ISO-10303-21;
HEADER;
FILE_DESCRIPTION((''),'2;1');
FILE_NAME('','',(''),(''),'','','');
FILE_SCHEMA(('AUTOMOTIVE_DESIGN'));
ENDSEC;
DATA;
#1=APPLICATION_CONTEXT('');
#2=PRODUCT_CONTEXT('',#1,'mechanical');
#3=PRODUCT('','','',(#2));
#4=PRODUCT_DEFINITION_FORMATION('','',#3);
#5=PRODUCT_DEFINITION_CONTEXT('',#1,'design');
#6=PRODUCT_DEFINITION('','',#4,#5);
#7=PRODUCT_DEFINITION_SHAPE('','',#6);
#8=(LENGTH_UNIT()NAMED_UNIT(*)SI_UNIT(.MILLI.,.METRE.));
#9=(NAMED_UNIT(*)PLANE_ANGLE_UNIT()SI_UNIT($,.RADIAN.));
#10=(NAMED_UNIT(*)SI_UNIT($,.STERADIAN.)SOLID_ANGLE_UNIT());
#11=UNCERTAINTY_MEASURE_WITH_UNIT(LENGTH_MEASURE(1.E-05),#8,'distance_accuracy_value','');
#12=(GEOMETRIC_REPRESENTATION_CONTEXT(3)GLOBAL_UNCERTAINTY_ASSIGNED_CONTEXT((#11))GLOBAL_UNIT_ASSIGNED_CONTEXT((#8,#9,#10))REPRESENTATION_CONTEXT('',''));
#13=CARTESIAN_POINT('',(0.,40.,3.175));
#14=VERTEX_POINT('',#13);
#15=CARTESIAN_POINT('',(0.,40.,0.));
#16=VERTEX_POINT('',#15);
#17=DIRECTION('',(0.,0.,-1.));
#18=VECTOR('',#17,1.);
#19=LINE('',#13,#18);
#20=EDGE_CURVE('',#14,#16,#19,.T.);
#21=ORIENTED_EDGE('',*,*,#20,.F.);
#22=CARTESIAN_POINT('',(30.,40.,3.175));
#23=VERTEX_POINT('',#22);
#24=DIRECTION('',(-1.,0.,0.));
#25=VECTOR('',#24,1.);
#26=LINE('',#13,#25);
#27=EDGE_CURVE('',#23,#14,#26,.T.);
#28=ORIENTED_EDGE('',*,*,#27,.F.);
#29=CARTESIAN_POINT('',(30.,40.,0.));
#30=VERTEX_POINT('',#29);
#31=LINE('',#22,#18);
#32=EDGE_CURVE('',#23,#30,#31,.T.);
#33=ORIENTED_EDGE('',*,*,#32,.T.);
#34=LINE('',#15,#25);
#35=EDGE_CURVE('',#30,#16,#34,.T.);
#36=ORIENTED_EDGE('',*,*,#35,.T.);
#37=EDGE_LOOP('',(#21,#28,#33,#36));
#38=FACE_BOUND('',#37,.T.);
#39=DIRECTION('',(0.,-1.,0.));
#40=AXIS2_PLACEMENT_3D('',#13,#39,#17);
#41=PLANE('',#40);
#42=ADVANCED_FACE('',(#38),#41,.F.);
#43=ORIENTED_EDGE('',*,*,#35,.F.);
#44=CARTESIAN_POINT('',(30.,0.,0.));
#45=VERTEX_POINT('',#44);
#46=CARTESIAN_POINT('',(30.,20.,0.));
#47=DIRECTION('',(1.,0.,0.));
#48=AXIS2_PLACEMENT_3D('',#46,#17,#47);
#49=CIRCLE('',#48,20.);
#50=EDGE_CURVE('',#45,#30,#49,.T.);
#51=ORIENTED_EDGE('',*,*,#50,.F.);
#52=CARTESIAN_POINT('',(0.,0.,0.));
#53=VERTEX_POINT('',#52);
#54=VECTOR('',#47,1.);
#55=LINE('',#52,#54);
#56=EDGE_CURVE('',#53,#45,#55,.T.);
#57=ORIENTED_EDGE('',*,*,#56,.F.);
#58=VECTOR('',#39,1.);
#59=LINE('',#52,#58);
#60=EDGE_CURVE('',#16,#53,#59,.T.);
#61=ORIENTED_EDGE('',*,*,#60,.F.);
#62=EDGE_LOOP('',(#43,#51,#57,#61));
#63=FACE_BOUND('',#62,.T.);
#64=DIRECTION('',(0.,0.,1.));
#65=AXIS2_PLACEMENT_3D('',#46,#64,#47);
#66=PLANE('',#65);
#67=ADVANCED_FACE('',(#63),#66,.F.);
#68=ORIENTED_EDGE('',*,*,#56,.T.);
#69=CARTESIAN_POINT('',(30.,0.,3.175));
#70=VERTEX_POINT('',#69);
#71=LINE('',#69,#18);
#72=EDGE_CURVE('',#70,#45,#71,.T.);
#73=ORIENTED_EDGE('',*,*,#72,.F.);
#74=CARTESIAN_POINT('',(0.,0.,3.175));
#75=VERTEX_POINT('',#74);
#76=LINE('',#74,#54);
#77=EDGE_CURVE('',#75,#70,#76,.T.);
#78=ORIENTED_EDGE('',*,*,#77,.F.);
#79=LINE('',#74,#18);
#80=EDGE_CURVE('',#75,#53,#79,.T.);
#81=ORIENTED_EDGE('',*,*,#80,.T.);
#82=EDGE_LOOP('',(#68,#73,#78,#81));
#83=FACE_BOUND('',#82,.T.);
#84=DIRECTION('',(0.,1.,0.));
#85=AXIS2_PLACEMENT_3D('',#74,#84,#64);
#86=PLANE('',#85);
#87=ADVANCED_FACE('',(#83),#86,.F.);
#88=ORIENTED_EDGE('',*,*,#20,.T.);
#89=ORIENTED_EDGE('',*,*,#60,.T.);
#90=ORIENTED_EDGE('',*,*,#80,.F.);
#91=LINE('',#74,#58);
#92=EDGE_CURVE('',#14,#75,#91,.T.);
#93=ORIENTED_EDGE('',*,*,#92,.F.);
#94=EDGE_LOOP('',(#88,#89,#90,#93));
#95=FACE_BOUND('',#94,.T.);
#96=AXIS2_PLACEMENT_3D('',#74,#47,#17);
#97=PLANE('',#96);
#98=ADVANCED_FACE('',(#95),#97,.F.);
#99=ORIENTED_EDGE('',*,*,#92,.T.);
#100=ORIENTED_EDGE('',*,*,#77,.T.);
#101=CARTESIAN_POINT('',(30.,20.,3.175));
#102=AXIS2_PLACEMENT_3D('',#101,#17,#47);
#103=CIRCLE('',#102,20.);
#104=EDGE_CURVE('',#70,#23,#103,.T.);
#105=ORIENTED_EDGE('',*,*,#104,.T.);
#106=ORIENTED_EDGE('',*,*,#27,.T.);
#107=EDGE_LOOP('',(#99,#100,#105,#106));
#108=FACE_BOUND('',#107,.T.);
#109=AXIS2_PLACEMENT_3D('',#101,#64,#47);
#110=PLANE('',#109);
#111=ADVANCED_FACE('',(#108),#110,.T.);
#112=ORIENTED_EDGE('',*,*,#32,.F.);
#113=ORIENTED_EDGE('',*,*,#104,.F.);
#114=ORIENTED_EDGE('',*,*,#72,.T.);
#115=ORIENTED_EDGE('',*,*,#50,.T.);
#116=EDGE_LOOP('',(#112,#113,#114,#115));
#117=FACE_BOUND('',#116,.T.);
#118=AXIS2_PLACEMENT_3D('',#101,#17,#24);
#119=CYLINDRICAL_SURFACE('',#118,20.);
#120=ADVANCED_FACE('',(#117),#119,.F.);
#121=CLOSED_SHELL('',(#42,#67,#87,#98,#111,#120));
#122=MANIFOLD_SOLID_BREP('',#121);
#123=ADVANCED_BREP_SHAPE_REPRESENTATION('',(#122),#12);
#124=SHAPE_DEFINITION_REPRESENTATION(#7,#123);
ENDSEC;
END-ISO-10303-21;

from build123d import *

# Parameters (mm, degrees)
BOSS_EXTRUDE1_DEPTH = 3.175


with BuildPart() as part:
    # Sketch1 → Boss-Extrude1 (new body)
    with BuildSketch(Plane.XY):
        with BuildLine():
            Line((0, 0), (30, 0))
            ThreePointArc((30, 0), (10, 20), (30, 40))
            Line((30, 40), (0, 40))
            Line((0, 40), (0, 0))
        make_face()
    extrude(amount=BOSS_EXTRUDE1_DEPTH)


solid = part.part
